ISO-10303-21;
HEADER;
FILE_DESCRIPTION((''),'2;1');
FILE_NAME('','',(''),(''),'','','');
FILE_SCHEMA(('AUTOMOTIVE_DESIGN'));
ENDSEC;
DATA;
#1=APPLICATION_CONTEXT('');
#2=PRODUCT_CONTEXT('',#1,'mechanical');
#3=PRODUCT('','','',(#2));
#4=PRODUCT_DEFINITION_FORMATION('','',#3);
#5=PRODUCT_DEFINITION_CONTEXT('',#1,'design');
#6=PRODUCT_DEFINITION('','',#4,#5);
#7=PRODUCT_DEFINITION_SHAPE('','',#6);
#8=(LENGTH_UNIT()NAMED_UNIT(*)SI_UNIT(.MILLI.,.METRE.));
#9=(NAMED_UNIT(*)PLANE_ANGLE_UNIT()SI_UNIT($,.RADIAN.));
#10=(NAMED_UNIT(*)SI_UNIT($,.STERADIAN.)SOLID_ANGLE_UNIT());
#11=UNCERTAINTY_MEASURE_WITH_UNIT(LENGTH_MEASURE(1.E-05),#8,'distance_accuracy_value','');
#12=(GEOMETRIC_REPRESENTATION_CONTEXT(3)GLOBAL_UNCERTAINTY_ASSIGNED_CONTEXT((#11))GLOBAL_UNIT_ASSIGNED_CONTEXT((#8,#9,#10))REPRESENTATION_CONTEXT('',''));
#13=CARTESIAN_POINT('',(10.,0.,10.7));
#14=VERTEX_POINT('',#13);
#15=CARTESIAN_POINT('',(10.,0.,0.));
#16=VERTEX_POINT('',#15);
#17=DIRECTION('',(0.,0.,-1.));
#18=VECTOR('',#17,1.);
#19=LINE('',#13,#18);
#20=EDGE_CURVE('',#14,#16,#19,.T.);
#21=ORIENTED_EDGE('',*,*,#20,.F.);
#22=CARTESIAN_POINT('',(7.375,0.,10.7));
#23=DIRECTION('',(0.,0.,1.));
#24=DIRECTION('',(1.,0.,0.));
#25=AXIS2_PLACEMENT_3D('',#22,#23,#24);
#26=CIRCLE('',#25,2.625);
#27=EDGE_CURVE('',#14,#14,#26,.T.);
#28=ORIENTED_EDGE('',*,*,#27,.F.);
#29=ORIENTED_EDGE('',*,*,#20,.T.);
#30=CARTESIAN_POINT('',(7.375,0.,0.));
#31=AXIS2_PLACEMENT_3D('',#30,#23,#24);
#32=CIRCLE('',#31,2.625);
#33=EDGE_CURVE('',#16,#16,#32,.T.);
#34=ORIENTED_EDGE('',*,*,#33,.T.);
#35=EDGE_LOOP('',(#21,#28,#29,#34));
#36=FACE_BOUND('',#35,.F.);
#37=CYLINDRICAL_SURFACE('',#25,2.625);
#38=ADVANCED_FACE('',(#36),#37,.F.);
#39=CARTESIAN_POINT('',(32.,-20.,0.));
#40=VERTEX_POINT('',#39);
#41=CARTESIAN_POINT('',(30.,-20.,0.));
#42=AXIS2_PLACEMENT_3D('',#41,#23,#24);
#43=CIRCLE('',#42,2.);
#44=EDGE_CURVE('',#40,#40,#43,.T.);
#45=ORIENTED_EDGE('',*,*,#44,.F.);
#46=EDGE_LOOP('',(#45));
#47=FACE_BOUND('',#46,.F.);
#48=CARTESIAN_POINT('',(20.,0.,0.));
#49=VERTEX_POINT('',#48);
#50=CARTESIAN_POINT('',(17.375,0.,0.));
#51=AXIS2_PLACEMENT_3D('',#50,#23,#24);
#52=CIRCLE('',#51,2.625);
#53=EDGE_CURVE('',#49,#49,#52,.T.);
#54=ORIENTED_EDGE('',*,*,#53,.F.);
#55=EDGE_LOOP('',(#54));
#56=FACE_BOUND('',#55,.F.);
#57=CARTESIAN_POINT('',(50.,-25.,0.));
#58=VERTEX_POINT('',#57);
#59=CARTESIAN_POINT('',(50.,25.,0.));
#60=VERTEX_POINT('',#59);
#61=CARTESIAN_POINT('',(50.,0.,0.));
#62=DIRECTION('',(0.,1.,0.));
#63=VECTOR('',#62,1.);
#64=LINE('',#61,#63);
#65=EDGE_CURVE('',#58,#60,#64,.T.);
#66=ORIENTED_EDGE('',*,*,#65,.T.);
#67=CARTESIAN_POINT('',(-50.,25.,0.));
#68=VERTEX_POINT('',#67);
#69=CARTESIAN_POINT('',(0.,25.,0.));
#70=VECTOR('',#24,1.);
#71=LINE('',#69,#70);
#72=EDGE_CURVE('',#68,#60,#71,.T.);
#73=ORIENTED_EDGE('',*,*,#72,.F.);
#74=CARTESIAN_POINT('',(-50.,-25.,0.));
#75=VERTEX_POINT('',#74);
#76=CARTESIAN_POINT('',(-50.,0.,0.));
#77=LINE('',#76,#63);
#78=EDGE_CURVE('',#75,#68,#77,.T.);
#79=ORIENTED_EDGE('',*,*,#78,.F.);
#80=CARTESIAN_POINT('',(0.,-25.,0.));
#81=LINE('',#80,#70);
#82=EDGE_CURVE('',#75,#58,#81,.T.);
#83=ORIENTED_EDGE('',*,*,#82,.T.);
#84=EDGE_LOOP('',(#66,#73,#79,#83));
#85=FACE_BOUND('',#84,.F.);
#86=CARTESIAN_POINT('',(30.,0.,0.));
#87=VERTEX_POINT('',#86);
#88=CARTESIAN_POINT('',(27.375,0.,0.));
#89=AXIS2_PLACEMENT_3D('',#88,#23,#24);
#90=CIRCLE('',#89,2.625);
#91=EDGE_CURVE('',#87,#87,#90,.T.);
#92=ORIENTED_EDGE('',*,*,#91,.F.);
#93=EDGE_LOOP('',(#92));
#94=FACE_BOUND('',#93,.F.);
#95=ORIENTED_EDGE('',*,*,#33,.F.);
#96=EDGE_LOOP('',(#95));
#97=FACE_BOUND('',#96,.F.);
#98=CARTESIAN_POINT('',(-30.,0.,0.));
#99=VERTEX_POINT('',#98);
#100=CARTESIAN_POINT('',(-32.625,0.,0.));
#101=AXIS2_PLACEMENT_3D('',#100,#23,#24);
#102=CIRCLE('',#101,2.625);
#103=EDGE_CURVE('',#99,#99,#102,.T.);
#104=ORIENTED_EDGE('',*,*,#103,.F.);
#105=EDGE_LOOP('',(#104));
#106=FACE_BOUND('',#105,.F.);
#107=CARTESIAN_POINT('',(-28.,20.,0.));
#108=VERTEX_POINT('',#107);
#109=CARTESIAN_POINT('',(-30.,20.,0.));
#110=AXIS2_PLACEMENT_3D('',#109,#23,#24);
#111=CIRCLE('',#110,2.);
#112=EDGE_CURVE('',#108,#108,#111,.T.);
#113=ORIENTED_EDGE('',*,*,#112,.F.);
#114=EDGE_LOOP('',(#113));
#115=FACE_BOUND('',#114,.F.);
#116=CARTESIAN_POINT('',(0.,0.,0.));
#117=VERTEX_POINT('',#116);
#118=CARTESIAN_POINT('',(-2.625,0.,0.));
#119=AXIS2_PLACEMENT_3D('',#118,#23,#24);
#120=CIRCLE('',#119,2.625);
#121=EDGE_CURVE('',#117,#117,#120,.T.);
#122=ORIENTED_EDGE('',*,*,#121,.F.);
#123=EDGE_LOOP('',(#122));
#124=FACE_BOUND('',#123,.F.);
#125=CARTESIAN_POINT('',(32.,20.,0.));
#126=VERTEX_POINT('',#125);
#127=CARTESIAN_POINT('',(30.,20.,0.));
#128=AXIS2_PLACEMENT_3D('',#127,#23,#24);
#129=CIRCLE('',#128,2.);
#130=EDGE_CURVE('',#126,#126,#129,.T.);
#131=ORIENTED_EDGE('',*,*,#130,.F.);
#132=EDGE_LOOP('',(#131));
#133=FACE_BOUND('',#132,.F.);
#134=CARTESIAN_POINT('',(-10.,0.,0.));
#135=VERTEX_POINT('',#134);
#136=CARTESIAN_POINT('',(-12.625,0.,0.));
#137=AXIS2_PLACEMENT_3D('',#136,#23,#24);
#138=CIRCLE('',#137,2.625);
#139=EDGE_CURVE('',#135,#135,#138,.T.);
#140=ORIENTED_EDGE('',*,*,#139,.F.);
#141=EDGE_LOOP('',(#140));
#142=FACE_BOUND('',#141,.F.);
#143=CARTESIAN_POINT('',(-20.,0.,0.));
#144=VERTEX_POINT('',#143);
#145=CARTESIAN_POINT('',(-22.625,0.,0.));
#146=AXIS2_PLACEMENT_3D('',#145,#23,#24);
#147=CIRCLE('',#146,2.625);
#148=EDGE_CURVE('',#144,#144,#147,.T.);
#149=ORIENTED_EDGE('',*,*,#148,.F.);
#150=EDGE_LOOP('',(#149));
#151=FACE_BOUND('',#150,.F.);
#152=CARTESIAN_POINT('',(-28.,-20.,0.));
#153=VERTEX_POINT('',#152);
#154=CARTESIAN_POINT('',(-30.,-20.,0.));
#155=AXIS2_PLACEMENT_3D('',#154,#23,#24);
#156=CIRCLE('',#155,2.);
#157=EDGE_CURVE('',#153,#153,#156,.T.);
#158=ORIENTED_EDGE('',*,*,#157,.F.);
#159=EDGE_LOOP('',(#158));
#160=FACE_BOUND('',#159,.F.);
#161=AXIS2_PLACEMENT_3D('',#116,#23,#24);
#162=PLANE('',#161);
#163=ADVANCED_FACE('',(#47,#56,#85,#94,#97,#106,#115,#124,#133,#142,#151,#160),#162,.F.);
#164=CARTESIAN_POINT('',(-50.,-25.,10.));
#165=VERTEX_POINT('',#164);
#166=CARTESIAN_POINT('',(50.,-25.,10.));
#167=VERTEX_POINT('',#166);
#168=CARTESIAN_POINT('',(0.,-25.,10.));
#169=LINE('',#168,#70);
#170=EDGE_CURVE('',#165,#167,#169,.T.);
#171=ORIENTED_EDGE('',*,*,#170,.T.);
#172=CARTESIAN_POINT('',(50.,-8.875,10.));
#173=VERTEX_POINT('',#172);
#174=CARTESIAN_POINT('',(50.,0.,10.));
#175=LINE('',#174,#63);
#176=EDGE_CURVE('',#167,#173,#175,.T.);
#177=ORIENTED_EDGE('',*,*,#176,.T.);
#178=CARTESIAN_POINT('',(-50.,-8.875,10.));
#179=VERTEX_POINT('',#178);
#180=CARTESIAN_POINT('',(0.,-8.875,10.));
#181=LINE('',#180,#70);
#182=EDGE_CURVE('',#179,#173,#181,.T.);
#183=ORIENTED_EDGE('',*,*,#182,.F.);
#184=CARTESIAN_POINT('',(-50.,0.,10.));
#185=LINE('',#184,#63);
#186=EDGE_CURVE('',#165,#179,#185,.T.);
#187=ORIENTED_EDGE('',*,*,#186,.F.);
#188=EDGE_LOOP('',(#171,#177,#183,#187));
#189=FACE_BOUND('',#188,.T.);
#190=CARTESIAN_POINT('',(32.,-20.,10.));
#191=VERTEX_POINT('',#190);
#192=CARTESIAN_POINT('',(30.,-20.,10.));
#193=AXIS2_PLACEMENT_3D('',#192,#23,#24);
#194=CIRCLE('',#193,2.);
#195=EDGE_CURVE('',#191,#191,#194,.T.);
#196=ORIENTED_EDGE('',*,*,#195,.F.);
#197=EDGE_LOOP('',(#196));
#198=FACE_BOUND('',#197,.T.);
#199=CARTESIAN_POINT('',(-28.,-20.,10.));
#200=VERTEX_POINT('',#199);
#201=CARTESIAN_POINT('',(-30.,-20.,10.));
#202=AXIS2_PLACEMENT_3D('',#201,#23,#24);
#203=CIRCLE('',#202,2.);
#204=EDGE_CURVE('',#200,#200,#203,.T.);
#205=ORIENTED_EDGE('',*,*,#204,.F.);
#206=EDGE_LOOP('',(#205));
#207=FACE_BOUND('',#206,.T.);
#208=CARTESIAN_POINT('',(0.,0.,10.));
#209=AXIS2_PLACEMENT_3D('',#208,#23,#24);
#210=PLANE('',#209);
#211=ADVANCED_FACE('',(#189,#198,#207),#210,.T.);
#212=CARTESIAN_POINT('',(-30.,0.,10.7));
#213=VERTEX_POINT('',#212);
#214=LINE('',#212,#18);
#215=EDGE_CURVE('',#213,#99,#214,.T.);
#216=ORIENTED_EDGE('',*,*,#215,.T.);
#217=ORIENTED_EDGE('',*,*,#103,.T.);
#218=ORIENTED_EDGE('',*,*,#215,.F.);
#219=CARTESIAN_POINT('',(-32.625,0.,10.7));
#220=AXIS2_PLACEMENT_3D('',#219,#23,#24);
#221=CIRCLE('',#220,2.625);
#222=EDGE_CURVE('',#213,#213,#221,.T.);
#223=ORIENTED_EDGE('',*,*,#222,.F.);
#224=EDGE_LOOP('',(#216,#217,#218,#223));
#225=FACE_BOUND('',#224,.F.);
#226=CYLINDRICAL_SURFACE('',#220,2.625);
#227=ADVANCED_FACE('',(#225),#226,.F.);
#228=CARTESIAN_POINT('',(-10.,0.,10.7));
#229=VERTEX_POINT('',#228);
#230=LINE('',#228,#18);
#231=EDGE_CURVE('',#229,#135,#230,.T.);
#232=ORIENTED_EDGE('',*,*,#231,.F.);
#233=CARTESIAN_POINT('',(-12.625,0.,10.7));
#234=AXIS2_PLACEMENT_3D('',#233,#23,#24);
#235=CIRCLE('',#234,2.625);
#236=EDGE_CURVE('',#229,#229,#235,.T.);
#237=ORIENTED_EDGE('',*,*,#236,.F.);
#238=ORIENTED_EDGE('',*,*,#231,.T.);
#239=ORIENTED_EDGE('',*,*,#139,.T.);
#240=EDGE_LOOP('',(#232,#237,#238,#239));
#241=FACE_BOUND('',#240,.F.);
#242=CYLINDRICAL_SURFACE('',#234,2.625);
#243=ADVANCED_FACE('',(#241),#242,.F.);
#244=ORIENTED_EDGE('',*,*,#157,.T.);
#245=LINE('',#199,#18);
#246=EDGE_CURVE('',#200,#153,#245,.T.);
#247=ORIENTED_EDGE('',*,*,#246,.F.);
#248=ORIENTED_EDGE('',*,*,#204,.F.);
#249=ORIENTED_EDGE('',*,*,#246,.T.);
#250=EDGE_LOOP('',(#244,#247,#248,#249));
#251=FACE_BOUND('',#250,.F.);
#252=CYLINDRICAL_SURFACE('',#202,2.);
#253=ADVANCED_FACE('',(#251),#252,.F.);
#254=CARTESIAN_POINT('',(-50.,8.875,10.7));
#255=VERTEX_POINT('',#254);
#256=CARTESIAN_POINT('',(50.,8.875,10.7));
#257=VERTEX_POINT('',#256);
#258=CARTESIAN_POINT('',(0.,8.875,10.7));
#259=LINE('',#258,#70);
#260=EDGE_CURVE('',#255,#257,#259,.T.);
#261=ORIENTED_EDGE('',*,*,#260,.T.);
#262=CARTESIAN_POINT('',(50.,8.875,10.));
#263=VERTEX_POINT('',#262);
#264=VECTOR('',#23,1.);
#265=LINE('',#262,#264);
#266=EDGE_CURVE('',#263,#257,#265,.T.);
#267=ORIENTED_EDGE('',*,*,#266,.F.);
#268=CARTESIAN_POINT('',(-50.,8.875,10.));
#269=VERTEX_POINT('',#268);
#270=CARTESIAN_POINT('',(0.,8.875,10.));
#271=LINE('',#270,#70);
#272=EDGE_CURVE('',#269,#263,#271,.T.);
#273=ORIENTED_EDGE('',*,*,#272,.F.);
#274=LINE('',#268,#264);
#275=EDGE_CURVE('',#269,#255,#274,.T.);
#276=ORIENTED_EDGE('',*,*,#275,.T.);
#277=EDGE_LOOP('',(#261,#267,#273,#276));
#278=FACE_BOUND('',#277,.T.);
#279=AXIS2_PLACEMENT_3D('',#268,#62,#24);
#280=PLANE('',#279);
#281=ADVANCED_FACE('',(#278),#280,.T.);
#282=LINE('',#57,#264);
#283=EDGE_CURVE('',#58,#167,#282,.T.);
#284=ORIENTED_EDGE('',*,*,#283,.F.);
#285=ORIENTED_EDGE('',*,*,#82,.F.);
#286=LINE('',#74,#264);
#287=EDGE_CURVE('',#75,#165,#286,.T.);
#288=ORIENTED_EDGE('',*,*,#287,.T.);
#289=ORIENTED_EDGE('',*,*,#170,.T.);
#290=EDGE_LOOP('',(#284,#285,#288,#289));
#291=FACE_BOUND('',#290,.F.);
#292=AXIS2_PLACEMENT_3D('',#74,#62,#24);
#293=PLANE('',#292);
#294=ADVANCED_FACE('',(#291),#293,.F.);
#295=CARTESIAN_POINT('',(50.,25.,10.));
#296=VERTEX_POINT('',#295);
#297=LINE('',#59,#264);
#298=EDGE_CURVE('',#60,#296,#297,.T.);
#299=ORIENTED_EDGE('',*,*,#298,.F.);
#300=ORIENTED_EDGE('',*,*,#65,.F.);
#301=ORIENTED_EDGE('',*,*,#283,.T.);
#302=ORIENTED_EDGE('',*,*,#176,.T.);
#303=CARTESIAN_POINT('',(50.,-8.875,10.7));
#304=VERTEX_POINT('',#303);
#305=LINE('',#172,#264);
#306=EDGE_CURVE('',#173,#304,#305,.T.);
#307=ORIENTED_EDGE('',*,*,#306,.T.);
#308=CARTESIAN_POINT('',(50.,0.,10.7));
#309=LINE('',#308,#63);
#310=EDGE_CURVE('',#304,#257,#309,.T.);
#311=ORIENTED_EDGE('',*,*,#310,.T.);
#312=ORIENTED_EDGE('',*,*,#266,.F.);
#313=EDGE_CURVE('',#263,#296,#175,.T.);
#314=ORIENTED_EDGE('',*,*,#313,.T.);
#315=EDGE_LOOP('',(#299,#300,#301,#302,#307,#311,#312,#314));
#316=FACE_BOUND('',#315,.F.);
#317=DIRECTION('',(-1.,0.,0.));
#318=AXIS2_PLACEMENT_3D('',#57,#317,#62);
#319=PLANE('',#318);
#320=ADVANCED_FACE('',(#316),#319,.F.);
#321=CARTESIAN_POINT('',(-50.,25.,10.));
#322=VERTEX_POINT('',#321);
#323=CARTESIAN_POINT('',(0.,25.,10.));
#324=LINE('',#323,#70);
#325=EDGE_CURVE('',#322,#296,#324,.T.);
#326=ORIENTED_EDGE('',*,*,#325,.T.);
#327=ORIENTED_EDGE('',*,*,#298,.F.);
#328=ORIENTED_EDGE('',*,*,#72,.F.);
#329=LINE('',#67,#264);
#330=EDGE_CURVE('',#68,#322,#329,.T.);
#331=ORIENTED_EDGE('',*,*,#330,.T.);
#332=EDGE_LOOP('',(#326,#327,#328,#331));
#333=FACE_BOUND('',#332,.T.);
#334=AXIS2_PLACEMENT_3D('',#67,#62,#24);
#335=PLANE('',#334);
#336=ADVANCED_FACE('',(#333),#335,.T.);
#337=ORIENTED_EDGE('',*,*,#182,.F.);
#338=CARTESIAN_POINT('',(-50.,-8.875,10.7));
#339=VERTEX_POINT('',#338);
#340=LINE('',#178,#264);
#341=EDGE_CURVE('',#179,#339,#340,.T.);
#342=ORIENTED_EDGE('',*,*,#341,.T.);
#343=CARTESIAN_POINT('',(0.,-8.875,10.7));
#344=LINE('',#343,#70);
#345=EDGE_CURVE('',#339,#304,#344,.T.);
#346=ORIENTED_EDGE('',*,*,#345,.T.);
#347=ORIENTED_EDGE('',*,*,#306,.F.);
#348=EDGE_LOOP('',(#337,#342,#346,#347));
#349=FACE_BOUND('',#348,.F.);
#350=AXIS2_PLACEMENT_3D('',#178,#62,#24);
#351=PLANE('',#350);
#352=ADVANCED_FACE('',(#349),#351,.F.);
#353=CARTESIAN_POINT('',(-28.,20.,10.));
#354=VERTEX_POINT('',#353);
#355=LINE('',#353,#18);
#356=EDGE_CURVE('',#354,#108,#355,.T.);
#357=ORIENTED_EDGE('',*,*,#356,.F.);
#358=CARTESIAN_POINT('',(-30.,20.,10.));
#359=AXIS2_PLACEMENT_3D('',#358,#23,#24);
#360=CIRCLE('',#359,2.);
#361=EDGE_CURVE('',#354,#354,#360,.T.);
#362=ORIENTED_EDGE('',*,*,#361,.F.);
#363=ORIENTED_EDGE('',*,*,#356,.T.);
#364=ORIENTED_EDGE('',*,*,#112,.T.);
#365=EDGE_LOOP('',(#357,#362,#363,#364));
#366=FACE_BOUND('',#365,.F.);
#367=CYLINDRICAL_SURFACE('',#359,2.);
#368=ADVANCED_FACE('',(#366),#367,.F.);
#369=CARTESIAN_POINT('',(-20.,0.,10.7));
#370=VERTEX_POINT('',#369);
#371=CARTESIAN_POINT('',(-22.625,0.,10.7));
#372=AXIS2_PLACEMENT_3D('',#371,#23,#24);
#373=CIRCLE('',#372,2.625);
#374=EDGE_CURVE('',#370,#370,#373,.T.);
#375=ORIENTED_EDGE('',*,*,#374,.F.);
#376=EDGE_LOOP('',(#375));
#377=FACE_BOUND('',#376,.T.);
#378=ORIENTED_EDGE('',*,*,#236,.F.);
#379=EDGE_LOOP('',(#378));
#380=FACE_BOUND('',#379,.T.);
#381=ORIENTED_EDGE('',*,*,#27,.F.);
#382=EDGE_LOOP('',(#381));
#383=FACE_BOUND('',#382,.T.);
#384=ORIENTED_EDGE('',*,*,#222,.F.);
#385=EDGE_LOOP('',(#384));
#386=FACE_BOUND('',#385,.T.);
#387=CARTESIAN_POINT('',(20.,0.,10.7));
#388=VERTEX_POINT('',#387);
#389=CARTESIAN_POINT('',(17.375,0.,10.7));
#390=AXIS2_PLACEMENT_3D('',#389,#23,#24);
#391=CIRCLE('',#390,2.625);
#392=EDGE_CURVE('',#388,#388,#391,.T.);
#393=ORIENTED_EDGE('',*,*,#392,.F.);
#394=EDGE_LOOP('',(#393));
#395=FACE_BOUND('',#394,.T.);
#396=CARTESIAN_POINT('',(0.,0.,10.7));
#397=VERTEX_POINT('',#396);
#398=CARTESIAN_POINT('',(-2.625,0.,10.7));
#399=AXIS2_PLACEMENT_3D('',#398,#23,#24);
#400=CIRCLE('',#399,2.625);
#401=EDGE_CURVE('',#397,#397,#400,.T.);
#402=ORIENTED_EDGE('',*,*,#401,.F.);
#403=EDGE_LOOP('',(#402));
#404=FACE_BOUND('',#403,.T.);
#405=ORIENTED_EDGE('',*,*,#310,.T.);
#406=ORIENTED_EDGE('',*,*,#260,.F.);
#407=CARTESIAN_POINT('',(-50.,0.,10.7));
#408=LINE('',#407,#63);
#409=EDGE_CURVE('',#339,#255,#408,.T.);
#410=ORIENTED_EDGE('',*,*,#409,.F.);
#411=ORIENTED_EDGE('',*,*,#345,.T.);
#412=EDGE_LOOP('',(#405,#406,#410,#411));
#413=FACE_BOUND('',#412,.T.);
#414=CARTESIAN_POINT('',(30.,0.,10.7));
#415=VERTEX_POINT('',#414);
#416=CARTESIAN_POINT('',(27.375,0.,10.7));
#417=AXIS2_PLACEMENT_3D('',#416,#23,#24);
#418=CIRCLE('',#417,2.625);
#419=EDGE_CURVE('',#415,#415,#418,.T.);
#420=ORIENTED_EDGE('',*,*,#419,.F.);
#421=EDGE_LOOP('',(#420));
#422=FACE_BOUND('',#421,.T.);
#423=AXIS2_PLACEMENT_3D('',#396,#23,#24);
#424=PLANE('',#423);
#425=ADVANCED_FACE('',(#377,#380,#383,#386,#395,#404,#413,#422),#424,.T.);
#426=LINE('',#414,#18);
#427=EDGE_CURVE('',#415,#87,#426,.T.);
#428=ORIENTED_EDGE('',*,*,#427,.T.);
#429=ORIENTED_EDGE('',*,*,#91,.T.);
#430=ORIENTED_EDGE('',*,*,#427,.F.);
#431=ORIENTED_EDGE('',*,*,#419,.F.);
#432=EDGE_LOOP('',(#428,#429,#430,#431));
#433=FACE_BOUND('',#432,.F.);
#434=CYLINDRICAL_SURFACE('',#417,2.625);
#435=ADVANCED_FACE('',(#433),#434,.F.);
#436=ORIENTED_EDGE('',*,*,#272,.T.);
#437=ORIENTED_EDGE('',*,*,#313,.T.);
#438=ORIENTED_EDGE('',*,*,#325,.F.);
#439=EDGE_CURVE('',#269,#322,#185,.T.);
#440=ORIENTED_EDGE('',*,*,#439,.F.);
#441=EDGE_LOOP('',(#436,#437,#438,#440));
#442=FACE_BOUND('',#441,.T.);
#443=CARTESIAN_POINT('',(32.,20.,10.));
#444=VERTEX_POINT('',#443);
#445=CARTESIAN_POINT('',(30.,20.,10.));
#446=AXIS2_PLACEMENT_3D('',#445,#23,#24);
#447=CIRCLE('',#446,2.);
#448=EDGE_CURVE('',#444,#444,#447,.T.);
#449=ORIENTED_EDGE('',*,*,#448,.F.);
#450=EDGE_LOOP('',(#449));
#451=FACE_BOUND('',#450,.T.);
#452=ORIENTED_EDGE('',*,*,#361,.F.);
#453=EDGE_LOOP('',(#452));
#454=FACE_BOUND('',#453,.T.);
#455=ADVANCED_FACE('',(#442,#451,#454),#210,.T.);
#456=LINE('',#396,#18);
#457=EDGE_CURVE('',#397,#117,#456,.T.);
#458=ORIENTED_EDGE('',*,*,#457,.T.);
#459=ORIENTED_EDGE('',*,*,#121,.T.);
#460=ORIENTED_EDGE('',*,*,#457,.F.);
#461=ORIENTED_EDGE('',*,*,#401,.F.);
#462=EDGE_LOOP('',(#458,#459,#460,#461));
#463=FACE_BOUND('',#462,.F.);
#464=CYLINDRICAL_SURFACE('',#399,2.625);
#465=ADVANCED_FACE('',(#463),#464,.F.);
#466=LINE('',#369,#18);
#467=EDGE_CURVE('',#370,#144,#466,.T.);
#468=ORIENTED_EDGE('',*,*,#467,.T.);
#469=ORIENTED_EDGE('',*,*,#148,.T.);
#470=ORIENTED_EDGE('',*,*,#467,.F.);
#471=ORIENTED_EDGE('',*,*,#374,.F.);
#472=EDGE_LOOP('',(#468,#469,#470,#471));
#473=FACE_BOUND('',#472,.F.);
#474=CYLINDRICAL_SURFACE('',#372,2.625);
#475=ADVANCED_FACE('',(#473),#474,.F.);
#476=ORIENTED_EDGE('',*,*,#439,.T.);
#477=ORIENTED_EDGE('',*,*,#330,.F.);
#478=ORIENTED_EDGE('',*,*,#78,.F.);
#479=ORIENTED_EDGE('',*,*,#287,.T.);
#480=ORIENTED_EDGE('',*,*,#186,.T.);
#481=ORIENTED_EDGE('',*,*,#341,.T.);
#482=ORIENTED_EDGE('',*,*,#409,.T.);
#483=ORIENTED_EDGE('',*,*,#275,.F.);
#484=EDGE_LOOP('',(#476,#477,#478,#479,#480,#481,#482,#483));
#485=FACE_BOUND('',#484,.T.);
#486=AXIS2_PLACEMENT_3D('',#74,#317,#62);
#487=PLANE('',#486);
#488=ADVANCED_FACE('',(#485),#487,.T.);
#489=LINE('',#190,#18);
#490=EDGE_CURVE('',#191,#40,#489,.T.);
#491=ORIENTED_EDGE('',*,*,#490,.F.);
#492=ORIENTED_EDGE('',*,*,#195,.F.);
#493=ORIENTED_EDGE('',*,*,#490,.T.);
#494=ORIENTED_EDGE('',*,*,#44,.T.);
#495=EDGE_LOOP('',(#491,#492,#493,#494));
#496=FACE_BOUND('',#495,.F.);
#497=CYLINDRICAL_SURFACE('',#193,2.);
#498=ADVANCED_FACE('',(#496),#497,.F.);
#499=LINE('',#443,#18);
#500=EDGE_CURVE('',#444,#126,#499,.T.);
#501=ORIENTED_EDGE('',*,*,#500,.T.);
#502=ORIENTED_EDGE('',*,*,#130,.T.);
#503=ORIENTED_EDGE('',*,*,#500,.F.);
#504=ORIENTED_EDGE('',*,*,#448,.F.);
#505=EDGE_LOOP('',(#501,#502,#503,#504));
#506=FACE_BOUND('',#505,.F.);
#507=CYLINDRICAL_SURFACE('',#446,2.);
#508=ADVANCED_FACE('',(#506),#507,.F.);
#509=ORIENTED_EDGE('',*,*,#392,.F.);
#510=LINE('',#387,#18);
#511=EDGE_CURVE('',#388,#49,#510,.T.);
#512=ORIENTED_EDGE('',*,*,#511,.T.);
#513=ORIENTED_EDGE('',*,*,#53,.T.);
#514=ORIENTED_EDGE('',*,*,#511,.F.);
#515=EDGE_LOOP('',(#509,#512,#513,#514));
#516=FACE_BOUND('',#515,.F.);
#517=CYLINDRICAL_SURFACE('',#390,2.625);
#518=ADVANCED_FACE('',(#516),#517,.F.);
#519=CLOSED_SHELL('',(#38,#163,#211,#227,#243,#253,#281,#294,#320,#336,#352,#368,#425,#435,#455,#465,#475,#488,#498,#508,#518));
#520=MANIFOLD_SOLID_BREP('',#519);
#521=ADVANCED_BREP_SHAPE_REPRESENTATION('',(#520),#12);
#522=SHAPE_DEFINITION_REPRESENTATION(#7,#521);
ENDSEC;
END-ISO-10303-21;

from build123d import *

# Parameters (mm, degrees)
SKETCH_W        = 100
SKETCH_H        = 50
PAD_DEPTH       = 10
SKETCH001_R     = 2
POCKET_DEPTH    = 10.001
SKETCH002_W     = 100
SKETCH002_H     = 17.75
PAD001_DEPTH    = 0.7
SKETCH003_R     = 2.625
POCKET001_DEPTH = 10.701


with BuildPart() as part:
    # Sketch → Pad (new body)
    with BuildSketch(Plane.XY):
        Rectangle(SKETCH_W, SKETCH_H)
    extrude(amount=PAD_DEPTH)

    # Sketch001 (on Face6 of Pad) → Pocket (cut, through all)
    with BuildSketch(Plane.XY.offset(10)):
        with Locations((-30, 20)):
            Circle(SKETCH001_R)
        with Locations((-30, -20)):
            Circle(SKETCH001_R)
        with Locations((30, 20)):
            Circle(SKETCH001_R)
        with Locations((30, -20)):
            Circle(SKETCH001_R)
    extrude(amount=-POCKET_DEPTH, mode=Mode.SUBTRACT)

    # Sketch002 (on Face5 of Pocket) → Pad001 (join)
    with BuildSketch(Plane.XY.offset(10)):
        Rectangle(SKETCH002_W, SKETCH002_H)
    extrude(amount=PAD001_DEPTH)

    # Sketch003 (on Face16 of Pad001) → Pocket001 (cut, through all)
    with BuildSketch(Plane.XY.offset(10.7)):
        with Locations((-32.625, 0)):
            Circle(SKETCH003_R)
        with Locations((-22.625, 0)):
            Circle(SKETCH003_R)
        with Locations((-12.625, 0)):
            Circle(SKETCH003_R)
        with Locations((-2.625, 0)):
            Circle(SKETCH003_R)
        with Locations((7.375, 0)):
            Circle(SKETCH003_R)
        with Locations((17.375, 0)):
            Circle(SKETCH003_R)
        with Locations((27.375, 0)):
            Circle(SKETCH003_R)
    extrude(amount=-POCKET001_DEPTH, mode=Mode.SUBTRACT)


solid = part.part
